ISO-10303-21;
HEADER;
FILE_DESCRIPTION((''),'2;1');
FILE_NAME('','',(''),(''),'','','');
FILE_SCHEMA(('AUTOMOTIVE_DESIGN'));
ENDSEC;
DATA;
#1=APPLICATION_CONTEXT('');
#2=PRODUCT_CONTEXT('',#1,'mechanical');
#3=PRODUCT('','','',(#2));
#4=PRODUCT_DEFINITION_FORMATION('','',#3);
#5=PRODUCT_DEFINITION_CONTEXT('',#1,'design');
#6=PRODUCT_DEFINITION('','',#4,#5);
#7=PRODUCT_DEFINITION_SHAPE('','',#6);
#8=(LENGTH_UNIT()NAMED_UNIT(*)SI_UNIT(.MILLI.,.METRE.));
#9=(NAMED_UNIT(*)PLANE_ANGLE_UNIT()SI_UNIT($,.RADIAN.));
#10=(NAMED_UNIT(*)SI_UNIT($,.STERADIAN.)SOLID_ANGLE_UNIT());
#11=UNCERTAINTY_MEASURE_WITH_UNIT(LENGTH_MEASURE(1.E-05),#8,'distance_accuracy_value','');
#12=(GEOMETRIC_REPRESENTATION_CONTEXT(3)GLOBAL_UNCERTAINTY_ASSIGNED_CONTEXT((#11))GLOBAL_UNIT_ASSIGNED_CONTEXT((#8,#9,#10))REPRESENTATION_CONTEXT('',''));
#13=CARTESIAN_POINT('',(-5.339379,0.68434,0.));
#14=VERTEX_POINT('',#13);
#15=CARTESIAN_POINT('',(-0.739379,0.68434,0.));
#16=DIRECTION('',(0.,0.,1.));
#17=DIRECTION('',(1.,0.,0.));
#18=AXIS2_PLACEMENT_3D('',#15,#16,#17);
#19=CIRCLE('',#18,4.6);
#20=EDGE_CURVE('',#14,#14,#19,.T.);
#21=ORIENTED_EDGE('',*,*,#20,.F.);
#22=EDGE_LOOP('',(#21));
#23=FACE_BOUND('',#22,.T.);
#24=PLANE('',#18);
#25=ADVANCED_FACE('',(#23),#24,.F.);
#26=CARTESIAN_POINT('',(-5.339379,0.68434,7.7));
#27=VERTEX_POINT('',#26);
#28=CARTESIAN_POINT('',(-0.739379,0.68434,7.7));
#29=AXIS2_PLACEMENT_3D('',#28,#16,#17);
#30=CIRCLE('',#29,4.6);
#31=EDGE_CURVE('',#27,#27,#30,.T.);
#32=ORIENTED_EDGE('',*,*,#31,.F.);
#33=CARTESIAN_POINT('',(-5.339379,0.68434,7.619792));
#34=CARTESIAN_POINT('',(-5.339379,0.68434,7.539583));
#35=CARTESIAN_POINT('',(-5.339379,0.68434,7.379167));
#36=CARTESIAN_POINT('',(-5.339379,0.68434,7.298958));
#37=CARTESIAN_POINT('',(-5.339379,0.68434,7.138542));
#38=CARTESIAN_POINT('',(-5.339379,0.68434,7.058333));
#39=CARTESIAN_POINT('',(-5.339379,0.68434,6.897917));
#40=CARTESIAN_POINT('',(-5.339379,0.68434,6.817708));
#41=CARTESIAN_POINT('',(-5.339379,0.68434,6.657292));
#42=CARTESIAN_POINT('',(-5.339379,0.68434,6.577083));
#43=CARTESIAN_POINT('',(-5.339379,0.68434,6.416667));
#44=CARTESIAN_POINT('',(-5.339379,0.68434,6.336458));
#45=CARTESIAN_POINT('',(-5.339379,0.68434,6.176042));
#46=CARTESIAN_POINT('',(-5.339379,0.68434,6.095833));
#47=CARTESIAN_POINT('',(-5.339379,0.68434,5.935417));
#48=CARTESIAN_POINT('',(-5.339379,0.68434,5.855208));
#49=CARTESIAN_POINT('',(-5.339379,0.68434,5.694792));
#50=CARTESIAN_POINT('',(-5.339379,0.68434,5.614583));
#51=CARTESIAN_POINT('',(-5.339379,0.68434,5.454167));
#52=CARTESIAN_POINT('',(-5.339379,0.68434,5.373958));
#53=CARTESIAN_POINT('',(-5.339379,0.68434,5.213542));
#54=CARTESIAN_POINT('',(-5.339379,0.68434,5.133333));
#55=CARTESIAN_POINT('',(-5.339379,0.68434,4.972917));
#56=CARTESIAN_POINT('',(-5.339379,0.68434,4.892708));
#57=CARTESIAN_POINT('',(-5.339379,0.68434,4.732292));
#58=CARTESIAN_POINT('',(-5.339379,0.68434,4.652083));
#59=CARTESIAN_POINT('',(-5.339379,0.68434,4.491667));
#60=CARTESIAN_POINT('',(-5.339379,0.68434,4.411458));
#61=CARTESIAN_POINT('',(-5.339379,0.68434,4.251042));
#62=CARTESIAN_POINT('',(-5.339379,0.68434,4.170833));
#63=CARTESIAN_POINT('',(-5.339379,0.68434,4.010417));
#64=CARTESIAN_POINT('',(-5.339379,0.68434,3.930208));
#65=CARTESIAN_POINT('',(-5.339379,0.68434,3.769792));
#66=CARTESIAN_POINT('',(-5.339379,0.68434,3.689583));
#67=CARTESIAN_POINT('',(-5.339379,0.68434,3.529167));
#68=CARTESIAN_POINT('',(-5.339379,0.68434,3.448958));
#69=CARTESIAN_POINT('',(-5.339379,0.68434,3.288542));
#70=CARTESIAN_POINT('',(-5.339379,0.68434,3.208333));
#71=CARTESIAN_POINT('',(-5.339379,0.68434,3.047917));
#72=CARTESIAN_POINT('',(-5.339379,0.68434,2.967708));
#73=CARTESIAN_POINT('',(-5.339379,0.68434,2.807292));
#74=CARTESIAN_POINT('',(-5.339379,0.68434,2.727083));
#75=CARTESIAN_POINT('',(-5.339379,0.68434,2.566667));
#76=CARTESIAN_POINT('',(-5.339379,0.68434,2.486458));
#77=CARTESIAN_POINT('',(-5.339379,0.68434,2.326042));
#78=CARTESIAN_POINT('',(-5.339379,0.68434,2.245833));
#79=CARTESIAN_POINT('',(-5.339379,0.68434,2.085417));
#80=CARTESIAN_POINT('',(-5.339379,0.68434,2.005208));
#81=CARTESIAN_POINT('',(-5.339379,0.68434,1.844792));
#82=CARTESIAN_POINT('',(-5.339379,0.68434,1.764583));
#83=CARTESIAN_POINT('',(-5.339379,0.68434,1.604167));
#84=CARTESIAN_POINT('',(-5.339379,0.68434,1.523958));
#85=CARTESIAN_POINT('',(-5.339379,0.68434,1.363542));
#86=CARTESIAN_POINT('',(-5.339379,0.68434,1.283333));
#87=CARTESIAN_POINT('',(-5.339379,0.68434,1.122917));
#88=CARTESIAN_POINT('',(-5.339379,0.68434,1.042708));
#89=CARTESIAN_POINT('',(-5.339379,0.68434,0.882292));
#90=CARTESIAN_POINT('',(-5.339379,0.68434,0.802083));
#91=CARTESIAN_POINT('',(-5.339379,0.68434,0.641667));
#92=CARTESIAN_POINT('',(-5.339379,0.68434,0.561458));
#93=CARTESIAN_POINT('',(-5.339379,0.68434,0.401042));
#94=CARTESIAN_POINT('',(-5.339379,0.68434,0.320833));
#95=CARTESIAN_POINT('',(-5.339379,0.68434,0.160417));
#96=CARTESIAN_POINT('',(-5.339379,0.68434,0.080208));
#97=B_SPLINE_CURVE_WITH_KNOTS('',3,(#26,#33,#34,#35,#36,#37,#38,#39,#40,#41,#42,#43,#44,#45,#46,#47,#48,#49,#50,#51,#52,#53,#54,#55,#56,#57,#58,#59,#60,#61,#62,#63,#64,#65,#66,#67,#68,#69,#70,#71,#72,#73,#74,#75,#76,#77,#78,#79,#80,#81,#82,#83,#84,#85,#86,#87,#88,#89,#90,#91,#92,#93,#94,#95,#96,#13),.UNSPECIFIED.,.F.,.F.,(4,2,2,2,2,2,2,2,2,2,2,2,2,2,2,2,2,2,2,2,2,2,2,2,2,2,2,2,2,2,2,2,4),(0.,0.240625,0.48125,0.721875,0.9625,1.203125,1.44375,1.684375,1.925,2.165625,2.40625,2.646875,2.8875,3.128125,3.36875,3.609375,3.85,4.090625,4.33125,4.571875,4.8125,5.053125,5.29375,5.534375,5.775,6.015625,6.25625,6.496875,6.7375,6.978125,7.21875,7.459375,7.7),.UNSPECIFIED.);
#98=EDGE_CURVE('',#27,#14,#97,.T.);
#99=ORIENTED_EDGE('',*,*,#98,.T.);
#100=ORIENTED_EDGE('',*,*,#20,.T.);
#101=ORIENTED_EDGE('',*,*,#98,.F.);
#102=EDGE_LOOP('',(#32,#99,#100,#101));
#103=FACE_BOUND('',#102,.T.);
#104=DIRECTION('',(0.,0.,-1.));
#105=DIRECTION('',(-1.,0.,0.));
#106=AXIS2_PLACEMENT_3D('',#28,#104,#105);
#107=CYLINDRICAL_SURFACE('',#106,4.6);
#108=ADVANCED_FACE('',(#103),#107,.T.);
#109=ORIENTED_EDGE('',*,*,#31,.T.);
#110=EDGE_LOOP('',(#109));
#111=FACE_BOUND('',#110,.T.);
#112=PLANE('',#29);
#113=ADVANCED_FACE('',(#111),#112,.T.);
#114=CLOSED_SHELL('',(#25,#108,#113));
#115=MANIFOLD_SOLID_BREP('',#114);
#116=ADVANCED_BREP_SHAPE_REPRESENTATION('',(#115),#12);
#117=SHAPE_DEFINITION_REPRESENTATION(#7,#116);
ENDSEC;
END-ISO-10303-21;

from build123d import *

# Parameters (mm, degrees)
SKETCH1_R         = 4.6
RUBBER_FEET_DEPTH = 7.7


with BuildPart() as part:
    # Sketch1 → rubber feet (new body)
    with BuildSketch(Plane.XY):
        with Locations(Location((-0.739379136, 0.684339817, 0), (0, 0, 180))):
            Circle(SKETCH1_R)
    extrude(amount=RUBBER_FEET_DEPTH)


solid = part.part
